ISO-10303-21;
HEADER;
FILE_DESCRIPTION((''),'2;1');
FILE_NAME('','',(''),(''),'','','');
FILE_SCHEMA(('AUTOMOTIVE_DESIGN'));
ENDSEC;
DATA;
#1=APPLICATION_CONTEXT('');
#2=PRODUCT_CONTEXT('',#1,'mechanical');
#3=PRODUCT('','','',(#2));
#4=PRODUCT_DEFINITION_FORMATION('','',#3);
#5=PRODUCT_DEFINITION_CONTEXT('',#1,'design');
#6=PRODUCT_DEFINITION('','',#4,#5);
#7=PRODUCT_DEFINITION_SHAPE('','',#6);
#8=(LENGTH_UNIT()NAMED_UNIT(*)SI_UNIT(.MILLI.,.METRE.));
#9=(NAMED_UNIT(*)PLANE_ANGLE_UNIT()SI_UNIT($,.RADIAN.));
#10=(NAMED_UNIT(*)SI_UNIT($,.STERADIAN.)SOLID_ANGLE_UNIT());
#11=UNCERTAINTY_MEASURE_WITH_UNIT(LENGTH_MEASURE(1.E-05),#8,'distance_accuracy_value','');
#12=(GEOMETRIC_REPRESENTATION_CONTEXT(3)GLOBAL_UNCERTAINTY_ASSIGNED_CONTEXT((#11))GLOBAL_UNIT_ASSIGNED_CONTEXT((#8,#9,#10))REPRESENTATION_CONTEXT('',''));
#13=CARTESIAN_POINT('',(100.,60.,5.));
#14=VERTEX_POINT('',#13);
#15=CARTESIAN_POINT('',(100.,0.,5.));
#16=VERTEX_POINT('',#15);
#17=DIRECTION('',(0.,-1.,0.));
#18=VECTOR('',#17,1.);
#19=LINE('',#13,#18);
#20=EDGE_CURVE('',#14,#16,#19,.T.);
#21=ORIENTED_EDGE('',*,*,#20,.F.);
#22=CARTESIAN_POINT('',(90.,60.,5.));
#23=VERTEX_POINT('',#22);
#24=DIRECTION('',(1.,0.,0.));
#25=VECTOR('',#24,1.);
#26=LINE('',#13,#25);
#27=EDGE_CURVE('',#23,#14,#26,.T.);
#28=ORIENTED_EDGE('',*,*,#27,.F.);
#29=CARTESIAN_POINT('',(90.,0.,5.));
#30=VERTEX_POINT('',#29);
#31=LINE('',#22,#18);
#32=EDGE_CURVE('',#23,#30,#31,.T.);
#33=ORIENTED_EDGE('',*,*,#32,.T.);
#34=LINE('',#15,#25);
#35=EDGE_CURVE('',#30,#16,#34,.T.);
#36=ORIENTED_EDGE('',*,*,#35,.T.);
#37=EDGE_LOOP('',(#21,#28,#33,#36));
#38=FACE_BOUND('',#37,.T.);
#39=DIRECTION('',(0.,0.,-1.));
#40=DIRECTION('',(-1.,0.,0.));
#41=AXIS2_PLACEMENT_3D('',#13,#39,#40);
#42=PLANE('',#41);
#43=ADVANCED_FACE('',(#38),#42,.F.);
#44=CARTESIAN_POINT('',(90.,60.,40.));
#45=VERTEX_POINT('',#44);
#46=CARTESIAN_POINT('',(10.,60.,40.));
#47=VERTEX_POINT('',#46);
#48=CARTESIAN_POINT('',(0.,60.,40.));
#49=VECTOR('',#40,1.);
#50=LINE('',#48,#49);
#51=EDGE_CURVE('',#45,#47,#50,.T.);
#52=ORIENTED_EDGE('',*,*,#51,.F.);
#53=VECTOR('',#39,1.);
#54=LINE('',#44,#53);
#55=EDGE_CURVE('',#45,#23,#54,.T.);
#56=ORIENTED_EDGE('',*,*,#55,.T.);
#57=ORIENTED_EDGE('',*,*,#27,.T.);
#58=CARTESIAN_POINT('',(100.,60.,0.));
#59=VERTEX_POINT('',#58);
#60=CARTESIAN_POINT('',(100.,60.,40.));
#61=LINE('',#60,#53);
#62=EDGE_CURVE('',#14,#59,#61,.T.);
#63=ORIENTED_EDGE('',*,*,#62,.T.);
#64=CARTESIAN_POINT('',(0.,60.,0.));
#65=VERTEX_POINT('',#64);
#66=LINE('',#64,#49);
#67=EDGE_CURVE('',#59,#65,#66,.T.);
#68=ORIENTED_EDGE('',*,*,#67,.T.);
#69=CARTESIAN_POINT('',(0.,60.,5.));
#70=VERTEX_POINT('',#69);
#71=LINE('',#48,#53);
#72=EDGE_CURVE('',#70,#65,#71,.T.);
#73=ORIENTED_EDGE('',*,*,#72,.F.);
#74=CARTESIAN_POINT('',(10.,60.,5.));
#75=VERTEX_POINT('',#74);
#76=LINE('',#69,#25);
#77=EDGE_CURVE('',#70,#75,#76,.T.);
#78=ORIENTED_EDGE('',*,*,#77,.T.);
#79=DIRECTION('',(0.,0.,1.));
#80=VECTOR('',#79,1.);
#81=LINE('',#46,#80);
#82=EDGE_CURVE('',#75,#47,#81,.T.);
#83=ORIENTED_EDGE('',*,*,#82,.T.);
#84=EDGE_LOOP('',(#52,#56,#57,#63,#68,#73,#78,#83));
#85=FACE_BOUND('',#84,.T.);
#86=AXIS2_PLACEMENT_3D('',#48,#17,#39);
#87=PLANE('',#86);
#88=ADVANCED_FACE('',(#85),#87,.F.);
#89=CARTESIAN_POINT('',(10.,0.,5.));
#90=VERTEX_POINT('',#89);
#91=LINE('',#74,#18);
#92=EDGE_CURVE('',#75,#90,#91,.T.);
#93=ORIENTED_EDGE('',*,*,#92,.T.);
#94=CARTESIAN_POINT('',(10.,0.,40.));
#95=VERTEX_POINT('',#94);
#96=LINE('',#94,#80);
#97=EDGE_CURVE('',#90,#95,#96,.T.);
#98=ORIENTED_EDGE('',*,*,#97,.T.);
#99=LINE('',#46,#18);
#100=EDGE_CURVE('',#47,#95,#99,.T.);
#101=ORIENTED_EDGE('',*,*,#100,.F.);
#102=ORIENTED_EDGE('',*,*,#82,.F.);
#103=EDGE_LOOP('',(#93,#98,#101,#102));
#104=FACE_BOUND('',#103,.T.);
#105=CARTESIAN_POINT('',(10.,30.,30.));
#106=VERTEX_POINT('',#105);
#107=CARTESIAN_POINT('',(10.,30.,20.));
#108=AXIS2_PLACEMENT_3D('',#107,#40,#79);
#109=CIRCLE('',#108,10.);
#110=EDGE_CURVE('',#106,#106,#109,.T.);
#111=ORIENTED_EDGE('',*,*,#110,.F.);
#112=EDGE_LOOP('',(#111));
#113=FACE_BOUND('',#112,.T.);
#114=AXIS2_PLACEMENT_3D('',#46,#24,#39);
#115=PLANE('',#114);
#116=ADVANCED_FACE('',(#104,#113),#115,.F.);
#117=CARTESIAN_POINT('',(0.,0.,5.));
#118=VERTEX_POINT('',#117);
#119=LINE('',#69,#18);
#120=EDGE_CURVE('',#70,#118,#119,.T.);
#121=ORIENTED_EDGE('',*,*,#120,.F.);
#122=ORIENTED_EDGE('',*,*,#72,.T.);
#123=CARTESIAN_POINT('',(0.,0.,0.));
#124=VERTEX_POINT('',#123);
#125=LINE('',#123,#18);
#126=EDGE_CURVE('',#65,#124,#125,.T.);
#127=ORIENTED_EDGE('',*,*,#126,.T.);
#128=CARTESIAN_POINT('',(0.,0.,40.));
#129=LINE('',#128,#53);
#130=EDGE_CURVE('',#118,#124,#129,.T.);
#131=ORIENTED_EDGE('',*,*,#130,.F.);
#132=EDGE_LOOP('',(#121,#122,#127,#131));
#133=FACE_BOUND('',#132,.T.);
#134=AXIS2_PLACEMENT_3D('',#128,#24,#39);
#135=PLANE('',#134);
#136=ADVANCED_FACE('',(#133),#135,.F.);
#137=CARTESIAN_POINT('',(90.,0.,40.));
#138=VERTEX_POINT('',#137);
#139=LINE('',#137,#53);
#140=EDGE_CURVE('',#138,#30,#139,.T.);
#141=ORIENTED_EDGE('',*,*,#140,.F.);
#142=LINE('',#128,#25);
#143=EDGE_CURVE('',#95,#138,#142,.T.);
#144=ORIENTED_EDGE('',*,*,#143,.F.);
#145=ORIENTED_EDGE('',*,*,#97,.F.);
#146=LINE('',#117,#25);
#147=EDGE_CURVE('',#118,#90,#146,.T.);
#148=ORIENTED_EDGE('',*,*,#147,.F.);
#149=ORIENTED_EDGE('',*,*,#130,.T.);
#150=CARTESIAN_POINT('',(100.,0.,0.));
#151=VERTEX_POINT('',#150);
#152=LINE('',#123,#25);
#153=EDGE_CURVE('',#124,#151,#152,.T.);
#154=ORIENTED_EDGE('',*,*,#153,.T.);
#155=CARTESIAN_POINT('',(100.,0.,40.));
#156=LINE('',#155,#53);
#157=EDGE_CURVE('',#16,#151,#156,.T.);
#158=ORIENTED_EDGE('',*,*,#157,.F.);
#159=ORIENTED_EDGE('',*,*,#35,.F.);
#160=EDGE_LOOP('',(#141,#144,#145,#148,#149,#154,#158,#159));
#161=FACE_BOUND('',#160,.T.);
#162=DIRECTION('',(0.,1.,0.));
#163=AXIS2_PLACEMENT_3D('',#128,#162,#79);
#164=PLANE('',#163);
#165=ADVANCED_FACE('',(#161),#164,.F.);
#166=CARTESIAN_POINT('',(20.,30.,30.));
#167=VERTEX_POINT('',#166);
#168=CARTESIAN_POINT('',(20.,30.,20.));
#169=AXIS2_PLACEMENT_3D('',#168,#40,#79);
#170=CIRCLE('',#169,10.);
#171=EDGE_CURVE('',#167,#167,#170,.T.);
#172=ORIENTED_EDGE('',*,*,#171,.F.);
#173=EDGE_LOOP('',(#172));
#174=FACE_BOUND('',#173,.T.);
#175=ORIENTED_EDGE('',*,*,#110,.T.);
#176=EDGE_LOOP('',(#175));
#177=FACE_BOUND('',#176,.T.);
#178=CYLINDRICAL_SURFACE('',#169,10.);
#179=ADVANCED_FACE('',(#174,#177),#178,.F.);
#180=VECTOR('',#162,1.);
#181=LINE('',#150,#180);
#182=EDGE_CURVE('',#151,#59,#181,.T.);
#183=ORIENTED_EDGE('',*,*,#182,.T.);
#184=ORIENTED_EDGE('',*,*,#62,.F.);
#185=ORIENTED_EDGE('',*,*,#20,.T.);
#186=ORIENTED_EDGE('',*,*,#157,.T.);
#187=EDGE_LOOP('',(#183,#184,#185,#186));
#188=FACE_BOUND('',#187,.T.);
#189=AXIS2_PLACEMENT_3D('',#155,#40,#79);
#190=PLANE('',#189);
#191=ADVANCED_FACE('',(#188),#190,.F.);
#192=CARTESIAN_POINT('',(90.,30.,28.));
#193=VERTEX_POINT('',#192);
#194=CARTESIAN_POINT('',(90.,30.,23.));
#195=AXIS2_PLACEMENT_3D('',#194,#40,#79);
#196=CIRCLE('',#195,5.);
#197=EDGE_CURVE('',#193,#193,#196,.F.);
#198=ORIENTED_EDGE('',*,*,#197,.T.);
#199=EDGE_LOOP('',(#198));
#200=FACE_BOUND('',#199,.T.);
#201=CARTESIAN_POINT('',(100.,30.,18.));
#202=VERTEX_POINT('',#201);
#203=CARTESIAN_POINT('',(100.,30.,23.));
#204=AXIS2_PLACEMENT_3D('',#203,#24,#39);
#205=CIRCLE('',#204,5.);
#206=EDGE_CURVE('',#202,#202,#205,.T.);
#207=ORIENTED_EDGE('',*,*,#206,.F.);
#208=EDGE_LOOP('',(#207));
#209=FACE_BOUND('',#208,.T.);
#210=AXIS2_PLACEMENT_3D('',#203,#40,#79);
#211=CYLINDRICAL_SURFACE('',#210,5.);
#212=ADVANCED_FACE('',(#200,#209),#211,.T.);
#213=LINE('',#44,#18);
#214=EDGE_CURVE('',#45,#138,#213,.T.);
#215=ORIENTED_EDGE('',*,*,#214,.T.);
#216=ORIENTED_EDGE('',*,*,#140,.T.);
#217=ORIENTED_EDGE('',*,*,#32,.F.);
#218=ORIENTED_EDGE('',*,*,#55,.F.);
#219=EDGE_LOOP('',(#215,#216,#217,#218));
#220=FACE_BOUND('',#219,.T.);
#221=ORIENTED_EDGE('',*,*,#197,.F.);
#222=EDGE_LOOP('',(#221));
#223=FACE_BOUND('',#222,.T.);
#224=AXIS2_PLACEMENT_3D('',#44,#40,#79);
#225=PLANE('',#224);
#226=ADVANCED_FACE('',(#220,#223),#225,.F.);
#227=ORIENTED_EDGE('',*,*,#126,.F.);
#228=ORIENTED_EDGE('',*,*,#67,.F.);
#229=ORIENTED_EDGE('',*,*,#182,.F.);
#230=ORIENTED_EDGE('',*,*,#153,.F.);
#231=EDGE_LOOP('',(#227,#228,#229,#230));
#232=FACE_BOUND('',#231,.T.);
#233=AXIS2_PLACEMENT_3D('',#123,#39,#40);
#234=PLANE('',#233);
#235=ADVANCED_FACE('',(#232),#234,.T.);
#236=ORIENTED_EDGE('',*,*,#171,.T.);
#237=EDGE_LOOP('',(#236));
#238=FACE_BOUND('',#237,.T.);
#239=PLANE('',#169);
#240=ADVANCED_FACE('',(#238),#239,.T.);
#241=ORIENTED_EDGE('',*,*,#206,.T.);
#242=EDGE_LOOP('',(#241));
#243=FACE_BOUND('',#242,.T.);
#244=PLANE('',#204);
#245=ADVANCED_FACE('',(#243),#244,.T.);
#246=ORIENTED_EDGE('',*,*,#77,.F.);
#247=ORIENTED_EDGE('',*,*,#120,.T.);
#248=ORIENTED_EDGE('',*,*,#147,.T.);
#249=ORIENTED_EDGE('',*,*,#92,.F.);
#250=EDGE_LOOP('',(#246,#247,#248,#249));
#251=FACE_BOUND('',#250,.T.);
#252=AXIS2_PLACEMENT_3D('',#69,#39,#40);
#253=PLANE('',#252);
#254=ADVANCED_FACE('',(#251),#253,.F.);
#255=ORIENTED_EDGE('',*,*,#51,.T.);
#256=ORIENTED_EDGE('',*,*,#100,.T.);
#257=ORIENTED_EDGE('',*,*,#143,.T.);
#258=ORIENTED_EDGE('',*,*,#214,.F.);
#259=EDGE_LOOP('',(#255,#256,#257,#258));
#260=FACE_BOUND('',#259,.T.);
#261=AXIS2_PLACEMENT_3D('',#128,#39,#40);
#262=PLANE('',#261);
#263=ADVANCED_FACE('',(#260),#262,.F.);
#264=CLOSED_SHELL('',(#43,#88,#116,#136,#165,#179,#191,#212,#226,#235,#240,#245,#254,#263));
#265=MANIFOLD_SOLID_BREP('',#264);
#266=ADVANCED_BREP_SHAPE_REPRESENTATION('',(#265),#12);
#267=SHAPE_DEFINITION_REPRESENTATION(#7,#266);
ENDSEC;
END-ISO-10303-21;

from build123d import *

# Parameters (mm, degrees)
SKETCH1_W           = 100
SKETCH1_H           = 60
BOSS_EXTRUDE1_DEPTH = 40
SKETCH2_W           = 10
SKETCH2_H           = 35
CUT_EXTRUDE1_DEPTH  = 124.288280059
SKETCH3_R           = 10
CUT_EXTRUDE2_DEPTH  = 10
SKETCH4_R           = 5
BOSS_EXTRUDE2_DEPTH = 10


with BuildPart() as part:
    # Sketch1 → Boss-Extrude1 (new body)
    with BuildSketch(Plane.XY):
        with Locations((50, 30)):
            Rectangle(SKETCH1_W, SKETCH1_H)
    extrude(amount=BOSS_EXTRUDE1_DEPTH)

    # Sketch2 → Cut-Extrude1 (cut, through all)
    with BuildSketch(Plane.XZ):
        with Locations((5, 22.5)):
            Rectangle(SKETCH2_W, SKETCH2_H)
        with Locations((95, 22.5)):
            Rectangle(SKETCH2_W, SKETCH2_H)
    extrude(amount=-CUT_EXTRUDE1_DEPTH, mode=Mode.SUBTRACT)

    # Sketch3 → Cut-Extrude2 (cut)
    with BuildSketch(Plane.ZY.offset(-10)):
        with Locations((20, 30)):
            Circle(SKETCH3_R)
    extrude(amount=-CUT_EXTRUDE2_DEPTH, mode=Mode.SUBTRACT)

    # Sketch4 → Boss-Extrude2 (add)
    with BuildSketch(Plane(origin=(90, 0, 0), x_dir=(0, 0, -1), z_dir=(1, 0, 0))):
        with Locations(Location((-23, 30, 0), (0, 0, 180))):
            Circle(SKETCH4_R)
    extrude(amount=BOSS_EXTRUDE2_DEPTH)


solid = part.part
